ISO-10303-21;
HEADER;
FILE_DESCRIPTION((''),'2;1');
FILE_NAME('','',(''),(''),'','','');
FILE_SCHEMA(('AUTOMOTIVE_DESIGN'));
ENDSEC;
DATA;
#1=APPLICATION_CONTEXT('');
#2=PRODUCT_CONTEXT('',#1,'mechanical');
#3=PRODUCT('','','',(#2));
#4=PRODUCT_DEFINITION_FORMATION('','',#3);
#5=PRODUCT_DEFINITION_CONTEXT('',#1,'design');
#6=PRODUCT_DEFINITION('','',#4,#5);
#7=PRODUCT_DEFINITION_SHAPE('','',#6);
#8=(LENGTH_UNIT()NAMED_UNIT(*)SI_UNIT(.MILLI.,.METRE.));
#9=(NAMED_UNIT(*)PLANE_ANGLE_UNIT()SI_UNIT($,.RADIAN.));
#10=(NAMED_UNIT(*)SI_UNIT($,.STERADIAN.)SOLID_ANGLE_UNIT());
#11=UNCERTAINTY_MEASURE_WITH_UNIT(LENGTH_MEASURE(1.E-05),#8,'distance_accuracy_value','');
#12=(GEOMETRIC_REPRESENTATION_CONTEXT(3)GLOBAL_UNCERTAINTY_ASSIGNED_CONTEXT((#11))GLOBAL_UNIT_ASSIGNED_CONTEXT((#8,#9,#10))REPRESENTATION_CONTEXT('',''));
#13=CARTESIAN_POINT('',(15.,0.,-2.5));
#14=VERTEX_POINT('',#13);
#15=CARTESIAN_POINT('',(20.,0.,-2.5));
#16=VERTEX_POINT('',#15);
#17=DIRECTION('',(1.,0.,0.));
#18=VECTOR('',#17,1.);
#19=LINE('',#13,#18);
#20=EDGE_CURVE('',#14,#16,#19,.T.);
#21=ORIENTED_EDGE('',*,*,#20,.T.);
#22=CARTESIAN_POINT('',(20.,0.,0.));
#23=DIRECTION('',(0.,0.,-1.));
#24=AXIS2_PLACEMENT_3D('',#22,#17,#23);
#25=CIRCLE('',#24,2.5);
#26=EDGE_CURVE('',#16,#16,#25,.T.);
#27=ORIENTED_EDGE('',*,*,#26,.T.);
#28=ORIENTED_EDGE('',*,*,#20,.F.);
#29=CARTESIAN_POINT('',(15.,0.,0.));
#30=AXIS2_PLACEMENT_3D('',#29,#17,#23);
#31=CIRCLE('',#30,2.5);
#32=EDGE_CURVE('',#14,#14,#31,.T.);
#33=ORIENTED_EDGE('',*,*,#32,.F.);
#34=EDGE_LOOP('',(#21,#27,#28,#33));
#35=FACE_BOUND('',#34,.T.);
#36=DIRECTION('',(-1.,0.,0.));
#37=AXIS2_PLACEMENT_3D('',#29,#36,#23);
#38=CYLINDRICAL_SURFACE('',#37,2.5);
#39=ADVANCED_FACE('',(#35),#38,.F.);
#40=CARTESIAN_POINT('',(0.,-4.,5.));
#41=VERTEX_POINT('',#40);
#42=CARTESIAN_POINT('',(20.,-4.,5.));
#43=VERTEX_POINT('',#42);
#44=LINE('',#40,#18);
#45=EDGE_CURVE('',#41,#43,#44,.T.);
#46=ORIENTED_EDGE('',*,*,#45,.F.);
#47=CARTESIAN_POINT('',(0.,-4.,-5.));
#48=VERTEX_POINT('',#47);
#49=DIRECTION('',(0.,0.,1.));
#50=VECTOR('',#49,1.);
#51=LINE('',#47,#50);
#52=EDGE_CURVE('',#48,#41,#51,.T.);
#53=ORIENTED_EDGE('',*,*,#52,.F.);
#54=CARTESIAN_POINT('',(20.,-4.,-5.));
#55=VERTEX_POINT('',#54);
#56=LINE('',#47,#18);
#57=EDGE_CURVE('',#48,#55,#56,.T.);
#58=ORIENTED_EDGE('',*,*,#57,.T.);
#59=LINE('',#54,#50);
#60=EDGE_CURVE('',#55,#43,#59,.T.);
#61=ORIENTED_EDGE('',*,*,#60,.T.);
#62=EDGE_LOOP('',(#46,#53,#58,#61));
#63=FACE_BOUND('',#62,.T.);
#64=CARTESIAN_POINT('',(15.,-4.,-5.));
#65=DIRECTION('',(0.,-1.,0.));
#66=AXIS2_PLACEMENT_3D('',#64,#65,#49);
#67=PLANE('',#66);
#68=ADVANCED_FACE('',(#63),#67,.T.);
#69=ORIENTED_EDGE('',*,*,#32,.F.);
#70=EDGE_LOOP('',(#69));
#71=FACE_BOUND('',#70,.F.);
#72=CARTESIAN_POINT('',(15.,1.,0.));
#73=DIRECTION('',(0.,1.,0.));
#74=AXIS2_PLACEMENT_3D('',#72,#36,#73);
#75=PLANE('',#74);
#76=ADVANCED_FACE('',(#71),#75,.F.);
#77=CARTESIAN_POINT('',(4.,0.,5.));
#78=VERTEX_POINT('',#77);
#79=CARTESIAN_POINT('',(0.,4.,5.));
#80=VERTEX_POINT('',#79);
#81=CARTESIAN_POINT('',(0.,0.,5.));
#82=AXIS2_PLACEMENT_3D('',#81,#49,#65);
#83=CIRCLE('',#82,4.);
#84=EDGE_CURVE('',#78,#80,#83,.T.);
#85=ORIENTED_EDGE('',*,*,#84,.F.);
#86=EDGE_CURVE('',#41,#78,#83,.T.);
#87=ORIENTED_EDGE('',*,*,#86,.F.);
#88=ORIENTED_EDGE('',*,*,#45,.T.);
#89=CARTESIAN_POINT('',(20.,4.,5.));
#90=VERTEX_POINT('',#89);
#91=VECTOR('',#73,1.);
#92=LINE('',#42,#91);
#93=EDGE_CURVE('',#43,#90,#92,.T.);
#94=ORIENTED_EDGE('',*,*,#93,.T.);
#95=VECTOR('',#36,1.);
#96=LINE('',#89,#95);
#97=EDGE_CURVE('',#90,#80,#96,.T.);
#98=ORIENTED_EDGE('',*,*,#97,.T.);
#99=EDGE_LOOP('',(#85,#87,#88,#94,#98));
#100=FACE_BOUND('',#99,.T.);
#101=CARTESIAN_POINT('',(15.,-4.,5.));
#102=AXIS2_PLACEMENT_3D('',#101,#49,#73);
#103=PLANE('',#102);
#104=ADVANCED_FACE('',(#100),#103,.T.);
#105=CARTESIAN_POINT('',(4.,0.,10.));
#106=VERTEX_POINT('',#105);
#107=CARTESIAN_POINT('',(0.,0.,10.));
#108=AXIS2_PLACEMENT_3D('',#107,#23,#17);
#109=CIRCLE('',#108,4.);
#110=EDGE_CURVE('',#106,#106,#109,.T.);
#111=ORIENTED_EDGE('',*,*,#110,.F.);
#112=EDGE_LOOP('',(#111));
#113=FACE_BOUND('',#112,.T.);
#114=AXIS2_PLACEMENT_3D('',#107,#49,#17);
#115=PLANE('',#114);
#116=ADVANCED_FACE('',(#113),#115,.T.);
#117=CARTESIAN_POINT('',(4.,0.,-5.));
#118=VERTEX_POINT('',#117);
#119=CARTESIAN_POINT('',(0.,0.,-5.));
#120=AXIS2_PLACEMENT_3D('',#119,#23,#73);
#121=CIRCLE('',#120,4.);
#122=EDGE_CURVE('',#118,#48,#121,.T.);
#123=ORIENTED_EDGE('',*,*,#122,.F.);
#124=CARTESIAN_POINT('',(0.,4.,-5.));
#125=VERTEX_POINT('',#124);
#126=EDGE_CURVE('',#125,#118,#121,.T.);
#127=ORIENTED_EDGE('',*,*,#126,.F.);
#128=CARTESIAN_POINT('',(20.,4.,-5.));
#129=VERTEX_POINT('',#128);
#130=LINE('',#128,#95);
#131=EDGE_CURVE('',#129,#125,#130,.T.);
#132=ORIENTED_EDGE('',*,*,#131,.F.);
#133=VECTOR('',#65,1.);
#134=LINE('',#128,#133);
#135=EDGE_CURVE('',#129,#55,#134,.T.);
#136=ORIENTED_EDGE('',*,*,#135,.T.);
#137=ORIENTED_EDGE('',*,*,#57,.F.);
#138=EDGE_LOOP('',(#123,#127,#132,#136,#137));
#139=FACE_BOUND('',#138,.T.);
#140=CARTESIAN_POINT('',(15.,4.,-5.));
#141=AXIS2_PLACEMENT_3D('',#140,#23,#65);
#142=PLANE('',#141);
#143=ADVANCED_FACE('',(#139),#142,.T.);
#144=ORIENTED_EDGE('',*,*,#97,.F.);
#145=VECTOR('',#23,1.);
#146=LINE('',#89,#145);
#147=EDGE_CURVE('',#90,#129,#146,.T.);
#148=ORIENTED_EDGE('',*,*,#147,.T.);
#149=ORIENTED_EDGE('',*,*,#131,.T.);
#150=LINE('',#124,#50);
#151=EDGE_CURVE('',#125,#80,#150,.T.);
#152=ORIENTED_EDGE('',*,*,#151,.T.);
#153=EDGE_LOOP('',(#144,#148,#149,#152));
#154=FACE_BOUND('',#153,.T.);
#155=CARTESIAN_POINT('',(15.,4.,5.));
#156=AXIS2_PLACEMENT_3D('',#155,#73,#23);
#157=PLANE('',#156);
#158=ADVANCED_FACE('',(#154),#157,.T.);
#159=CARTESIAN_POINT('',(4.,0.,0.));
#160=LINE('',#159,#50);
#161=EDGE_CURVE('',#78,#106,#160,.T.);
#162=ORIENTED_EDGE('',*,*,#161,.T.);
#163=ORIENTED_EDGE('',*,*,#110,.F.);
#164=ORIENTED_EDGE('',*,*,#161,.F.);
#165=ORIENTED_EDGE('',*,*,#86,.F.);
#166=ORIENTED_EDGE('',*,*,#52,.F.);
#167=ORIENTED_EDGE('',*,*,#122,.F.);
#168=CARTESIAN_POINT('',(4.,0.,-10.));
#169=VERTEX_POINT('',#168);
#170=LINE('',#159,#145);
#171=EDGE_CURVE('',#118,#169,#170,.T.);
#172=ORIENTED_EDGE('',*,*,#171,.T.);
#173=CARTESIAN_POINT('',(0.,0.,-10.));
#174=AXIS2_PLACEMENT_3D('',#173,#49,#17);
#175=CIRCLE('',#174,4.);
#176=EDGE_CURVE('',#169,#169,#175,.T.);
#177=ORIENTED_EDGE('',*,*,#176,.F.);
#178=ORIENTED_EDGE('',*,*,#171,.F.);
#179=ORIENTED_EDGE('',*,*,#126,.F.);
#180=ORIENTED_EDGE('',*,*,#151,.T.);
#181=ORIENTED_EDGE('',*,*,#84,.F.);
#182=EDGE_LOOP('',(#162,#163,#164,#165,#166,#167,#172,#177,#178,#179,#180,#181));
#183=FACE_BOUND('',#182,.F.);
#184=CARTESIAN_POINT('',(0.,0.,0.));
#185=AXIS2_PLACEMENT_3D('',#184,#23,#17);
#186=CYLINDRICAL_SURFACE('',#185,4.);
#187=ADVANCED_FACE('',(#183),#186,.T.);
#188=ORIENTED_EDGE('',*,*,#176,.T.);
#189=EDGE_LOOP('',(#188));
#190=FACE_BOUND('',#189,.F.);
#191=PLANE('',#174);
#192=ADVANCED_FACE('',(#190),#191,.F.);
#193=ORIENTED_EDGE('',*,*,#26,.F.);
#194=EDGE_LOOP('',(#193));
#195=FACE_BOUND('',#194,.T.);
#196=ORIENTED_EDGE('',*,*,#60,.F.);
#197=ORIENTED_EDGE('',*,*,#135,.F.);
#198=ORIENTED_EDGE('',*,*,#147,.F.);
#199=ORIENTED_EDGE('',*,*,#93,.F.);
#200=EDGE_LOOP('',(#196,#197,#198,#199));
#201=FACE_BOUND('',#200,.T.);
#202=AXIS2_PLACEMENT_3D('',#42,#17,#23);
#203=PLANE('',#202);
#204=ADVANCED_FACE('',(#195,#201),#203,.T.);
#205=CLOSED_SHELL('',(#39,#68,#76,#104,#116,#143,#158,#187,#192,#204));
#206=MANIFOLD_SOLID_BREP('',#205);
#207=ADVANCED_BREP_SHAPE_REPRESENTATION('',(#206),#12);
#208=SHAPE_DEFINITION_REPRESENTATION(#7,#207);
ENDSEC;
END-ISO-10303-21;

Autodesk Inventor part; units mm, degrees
ref_plane "YZ Plane" through (0, 0, 0) normal (1, 0, 0) x (0, 1, 0)
ref_plane "XZ Plane" through (0, 0, 0) normal (0, 1, 0) x (-1, 0, 0)
ref_plane "XY Plane" through (0, 0, 0) normal (0, 0, 1) x (1, 0, 0)
sketch "Sketch1" plane through (0, 0, 0) normal (0, 0, 1) x (1, 0, 0)
  circle A0 centre (0, 0) radius 4
  line L0 (15, 1) -> (15, 4)
  line L1 (4, 0) -> (7.8423, 0)
  line L2 (15, 4) -> (0, 4)
  line L3 (15, -1) -> (15, -4)
  line L4 (15, -4) -> (0, -4)
  line L5 (15, 1) -> (15, -1)
  point P0 (0, -4)
  dimension "d0" = 8
  dimension "d2" = 15
extrude "Extrusion1" add sketch "Sketch1" along normal mid plane 10 contours A0 L2 L0 L5 L3 L4
extrude "Extrusion2" add sketch "Sketch1" along normal mid plane 20 contours A0
sketch "Sketch2" plane through (15, -4, 5) normal (1, 0, 0) x (0, 0, -1)
  circle A0 centre (5, 4) radius 2.5
  line L0 (0, 0) -> (0, 8) projected
  line L1 (10, 8) -> (10, 0) projected
  line L2 (0, 8) -> (10, 8)
  line L3 (10, 8) -> (10, 0)
  line L4 (10, 0) -> (0, 0)
  line L5 (0, 0) -> (0, 8)
  dimension "d7" = 5
extrude "Extrusion3" add sketch "Sketch2" along normal blind 5
properties part number "Pitch and Yaw"
